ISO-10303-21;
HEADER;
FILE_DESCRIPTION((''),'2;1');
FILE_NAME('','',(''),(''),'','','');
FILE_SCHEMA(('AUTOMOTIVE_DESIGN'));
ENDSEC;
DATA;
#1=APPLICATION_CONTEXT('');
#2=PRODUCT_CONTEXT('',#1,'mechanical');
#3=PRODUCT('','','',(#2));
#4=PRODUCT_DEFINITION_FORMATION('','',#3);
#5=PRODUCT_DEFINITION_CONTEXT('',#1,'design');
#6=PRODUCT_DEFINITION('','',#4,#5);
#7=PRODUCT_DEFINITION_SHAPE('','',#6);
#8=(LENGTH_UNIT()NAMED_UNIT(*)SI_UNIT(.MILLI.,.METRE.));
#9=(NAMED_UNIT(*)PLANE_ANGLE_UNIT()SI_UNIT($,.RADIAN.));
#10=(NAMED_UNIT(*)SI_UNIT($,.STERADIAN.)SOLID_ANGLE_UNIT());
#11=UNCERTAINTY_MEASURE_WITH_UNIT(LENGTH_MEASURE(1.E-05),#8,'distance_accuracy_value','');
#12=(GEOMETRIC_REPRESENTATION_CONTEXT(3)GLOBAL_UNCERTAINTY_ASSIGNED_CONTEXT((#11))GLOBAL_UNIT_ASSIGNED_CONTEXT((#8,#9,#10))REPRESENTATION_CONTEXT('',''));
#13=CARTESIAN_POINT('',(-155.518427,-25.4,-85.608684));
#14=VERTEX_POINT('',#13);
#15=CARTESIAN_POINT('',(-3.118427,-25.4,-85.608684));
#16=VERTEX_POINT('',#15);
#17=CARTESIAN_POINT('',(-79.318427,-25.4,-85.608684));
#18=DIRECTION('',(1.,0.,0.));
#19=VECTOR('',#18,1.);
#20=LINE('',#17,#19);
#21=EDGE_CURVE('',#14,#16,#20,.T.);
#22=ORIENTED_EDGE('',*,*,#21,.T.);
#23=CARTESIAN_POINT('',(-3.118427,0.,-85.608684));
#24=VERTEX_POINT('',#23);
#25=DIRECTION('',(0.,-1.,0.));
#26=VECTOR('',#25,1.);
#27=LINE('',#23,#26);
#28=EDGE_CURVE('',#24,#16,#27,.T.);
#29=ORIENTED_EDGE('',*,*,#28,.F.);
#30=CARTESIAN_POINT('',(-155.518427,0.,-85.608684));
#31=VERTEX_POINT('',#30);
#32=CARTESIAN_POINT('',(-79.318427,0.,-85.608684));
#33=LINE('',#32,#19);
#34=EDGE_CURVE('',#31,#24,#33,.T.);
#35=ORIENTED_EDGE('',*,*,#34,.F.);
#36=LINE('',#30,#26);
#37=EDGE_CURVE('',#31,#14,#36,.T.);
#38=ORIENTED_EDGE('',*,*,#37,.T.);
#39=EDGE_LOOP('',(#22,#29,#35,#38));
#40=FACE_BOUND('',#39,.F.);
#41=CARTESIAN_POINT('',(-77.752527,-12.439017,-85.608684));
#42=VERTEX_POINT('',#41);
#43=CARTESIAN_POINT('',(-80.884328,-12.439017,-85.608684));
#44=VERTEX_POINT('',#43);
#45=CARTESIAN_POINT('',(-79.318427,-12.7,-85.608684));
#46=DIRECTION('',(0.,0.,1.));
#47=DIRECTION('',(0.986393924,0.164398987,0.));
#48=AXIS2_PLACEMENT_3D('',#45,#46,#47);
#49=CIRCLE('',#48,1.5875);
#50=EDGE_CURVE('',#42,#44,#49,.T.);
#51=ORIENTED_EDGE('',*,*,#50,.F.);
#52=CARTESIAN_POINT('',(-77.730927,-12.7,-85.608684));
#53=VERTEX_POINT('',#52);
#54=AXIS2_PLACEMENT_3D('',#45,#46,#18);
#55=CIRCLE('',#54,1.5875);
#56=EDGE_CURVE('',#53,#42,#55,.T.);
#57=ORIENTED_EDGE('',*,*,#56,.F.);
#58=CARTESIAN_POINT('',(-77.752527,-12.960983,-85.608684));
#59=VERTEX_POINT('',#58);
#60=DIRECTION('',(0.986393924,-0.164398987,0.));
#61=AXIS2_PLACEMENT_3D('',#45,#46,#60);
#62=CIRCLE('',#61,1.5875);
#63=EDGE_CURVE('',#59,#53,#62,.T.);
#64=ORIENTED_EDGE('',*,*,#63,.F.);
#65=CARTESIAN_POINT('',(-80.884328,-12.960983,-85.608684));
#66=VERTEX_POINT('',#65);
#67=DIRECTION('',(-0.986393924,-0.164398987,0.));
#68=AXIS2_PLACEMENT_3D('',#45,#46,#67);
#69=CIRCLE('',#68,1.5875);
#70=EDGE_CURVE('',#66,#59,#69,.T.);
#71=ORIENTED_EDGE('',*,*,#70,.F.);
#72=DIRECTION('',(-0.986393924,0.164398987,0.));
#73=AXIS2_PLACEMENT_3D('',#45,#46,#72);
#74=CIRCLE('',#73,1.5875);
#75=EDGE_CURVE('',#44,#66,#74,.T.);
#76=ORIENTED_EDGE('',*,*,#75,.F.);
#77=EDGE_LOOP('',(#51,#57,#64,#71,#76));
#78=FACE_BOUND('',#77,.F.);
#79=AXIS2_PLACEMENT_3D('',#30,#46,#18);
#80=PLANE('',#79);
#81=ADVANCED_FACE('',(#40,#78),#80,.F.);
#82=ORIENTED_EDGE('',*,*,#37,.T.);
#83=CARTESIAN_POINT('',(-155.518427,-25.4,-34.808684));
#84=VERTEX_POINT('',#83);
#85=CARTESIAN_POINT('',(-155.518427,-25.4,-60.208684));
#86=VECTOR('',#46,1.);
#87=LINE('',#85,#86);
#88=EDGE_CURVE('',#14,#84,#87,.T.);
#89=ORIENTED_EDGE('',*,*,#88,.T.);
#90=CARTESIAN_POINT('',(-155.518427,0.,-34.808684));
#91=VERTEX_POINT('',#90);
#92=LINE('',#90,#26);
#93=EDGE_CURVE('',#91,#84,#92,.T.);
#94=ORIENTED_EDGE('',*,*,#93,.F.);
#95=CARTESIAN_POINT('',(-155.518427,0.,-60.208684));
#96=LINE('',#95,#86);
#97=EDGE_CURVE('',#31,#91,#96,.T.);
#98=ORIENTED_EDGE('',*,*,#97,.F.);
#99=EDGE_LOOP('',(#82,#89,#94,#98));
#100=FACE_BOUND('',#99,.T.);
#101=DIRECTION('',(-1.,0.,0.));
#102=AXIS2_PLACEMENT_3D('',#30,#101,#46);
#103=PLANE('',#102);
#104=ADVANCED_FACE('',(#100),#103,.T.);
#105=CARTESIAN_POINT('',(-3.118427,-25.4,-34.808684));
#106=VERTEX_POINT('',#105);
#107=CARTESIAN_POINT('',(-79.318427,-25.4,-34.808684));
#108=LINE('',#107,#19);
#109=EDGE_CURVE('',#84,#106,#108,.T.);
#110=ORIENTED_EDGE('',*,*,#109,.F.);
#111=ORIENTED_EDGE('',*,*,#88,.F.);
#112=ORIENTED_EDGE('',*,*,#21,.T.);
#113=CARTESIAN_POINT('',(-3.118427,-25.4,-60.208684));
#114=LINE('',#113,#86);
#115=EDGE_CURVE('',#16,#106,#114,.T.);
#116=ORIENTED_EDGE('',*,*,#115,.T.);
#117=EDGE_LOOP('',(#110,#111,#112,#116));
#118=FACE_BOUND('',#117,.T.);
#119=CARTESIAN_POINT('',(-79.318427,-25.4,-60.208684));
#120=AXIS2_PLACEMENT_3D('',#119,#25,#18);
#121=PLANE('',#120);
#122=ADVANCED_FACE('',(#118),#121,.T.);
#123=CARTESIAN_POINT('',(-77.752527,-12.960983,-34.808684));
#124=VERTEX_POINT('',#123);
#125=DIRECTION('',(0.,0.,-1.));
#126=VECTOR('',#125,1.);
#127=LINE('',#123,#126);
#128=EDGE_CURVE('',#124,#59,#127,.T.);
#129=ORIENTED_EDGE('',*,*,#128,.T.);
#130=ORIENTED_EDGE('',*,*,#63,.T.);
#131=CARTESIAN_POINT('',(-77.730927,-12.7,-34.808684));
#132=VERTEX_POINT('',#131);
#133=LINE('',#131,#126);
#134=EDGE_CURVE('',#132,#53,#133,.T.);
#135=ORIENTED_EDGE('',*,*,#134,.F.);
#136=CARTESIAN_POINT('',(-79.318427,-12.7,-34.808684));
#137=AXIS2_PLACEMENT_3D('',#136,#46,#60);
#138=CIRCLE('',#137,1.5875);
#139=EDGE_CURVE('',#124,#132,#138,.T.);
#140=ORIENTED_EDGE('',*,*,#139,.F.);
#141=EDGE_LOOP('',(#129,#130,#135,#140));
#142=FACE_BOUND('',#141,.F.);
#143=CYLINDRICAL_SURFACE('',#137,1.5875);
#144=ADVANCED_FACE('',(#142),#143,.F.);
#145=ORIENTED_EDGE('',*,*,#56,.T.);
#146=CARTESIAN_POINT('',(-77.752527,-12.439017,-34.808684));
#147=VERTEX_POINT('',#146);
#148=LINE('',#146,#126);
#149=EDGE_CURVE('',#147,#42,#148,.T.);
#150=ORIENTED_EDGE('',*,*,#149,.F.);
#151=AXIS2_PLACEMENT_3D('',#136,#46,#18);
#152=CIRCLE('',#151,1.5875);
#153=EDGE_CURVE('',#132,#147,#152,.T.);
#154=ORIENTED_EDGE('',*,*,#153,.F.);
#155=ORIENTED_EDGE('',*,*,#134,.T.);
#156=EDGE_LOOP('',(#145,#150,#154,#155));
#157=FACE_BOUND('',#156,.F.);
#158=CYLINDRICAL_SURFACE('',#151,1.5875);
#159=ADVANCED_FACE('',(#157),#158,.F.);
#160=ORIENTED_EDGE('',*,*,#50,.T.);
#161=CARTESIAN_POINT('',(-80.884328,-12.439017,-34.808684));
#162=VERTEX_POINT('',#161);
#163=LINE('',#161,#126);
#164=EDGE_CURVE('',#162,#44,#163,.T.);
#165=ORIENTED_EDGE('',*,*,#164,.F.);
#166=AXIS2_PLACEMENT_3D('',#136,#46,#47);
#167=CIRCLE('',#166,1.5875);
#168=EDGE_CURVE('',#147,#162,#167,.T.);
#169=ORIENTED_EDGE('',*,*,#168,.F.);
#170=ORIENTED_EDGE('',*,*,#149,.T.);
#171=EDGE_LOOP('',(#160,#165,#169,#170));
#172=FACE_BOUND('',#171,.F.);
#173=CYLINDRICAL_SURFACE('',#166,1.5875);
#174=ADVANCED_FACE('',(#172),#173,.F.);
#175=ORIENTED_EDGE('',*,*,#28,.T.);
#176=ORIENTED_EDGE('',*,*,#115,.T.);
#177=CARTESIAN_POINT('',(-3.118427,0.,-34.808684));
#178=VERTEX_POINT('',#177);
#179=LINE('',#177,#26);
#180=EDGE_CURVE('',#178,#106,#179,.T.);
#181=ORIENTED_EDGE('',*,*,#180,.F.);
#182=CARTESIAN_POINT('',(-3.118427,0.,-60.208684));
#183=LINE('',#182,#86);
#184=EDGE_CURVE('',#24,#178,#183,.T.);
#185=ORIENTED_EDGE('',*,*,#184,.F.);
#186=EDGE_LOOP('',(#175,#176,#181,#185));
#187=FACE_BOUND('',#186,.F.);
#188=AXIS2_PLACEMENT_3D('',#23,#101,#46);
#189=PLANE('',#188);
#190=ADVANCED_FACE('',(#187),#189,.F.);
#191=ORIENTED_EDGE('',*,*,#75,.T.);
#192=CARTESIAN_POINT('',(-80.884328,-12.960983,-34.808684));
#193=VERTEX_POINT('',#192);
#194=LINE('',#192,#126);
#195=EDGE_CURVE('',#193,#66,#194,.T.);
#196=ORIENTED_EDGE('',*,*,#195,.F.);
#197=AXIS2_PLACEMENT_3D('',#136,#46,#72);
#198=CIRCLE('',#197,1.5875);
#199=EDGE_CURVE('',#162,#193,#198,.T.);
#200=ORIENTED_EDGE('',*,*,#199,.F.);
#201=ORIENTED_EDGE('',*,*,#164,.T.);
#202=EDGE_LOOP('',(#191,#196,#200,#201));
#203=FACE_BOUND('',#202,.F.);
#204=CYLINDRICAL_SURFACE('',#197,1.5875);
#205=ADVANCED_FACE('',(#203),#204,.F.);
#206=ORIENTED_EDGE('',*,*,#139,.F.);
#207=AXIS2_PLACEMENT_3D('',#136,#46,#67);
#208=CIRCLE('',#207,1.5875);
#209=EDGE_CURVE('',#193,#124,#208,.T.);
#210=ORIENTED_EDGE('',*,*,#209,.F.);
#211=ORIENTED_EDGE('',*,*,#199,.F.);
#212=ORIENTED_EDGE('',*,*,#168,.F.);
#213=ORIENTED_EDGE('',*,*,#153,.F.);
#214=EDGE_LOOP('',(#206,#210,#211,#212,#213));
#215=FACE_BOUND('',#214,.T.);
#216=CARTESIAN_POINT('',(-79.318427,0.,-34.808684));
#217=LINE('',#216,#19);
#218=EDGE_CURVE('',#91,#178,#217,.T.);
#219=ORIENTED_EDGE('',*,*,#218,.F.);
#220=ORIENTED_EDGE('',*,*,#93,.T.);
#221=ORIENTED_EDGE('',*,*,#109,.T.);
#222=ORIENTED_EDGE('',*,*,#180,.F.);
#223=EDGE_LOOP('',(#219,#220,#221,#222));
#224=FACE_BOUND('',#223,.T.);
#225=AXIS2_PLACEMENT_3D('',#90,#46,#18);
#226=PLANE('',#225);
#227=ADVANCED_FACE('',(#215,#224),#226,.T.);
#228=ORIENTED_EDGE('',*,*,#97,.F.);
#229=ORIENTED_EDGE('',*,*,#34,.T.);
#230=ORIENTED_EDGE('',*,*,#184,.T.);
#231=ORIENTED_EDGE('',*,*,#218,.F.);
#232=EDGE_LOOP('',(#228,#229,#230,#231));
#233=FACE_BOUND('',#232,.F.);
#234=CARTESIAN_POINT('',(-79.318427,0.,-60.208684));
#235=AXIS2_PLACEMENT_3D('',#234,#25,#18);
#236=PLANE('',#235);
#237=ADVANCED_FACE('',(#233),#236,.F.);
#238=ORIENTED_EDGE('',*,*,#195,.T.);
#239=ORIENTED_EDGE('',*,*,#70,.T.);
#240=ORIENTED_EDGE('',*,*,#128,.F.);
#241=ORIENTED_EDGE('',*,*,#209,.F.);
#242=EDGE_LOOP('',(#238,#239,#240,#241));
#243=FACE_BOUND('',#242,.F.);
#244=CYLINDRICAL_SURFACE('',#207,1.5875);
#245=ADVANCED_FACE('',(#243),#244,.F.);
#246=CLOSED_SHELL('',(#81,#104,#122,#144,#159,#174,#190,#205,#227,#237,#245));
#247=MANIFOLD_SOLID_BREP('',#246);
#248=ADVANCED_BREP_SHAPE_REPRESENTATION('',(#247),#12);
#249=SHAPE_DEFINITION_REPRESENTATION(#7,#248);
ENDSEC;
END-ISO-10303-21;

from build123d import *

# Parameters (mm, degrees)
F0_W     = 152.4
F0_H     = 50.8
F1_DEPTH = 25.4
F3_DEPTH = 50.8


with BuildPart() as f1:
    # F0 (on Front) → F1 (new body)
    with BuildSketch(Plane.XZ):
        with Locations((-79.3184274912, -60.2086835265)):
            Rectangle(F0_W, F0_H)
    extrude(amount=F1_DEPTH)

    # F2 (on face) → F3 (cut)
    with BuildSketch(Plane.XY.offset(-34.8086835265)):
        with BuildLine():
            Line((-77.7525271371, -12.4390166077), (-79.3184274912, -12.7))
            Line((-79.3184274912, -12.7), (-77.7525271371, -12.9609833923))
            ThreePointArc((-77.7525271371, -12.9609833923), (-77.736336618, -12.8309378438), (-77.7309274912, -12.7))
            ThreePointArc((-77.7309274912, -12.7), (-77.736336618, -12.5690621562), (-77.7525271371, -12.4390166077))
        make_face()
        with BuildLine():
            ThreePointArc((-77.7525271371, -12.4390166077), (-79.3184274912, -11.1125), (-80.8843278453, -12.4390166077))
            Line((-80.8843278453, -12.4390166077), (-79.3184274912, -12.7))
            Line((-79.3184274912, -12.7), (-77.7525271371, -12.4390166077))
        make_face()
        with BuildLine():
            Line((-79.3184274912, -12.7), (-80.8843278453, -12.4390166077))
            ThreePointArc((-80.8843278453, -12.4390166077), (-80.9059274912, -12.7), (-80.8843278453, -12.9609833923))
            Line((-80.8843278453, -12.9609833923), (-79.3184274912, -12.7))
        make_face()
        with BuildLine():
            Line((-77.7525271371, -12.9609833923), (-79.3184274912, -12.7))
            Line((-79.3184274912, -12.7), (-80.8843278453, -12.9609833923))
            ThreePointArc((-80.8843278453, -12.9609833923), (-79.3184274912, -14.2875), (-77.7525271371, -12.9609833923))
        make_face()
    extrude(amount=-F3_DEPTH, mode=Mode.SUBTRACT)


solid = f1.part
